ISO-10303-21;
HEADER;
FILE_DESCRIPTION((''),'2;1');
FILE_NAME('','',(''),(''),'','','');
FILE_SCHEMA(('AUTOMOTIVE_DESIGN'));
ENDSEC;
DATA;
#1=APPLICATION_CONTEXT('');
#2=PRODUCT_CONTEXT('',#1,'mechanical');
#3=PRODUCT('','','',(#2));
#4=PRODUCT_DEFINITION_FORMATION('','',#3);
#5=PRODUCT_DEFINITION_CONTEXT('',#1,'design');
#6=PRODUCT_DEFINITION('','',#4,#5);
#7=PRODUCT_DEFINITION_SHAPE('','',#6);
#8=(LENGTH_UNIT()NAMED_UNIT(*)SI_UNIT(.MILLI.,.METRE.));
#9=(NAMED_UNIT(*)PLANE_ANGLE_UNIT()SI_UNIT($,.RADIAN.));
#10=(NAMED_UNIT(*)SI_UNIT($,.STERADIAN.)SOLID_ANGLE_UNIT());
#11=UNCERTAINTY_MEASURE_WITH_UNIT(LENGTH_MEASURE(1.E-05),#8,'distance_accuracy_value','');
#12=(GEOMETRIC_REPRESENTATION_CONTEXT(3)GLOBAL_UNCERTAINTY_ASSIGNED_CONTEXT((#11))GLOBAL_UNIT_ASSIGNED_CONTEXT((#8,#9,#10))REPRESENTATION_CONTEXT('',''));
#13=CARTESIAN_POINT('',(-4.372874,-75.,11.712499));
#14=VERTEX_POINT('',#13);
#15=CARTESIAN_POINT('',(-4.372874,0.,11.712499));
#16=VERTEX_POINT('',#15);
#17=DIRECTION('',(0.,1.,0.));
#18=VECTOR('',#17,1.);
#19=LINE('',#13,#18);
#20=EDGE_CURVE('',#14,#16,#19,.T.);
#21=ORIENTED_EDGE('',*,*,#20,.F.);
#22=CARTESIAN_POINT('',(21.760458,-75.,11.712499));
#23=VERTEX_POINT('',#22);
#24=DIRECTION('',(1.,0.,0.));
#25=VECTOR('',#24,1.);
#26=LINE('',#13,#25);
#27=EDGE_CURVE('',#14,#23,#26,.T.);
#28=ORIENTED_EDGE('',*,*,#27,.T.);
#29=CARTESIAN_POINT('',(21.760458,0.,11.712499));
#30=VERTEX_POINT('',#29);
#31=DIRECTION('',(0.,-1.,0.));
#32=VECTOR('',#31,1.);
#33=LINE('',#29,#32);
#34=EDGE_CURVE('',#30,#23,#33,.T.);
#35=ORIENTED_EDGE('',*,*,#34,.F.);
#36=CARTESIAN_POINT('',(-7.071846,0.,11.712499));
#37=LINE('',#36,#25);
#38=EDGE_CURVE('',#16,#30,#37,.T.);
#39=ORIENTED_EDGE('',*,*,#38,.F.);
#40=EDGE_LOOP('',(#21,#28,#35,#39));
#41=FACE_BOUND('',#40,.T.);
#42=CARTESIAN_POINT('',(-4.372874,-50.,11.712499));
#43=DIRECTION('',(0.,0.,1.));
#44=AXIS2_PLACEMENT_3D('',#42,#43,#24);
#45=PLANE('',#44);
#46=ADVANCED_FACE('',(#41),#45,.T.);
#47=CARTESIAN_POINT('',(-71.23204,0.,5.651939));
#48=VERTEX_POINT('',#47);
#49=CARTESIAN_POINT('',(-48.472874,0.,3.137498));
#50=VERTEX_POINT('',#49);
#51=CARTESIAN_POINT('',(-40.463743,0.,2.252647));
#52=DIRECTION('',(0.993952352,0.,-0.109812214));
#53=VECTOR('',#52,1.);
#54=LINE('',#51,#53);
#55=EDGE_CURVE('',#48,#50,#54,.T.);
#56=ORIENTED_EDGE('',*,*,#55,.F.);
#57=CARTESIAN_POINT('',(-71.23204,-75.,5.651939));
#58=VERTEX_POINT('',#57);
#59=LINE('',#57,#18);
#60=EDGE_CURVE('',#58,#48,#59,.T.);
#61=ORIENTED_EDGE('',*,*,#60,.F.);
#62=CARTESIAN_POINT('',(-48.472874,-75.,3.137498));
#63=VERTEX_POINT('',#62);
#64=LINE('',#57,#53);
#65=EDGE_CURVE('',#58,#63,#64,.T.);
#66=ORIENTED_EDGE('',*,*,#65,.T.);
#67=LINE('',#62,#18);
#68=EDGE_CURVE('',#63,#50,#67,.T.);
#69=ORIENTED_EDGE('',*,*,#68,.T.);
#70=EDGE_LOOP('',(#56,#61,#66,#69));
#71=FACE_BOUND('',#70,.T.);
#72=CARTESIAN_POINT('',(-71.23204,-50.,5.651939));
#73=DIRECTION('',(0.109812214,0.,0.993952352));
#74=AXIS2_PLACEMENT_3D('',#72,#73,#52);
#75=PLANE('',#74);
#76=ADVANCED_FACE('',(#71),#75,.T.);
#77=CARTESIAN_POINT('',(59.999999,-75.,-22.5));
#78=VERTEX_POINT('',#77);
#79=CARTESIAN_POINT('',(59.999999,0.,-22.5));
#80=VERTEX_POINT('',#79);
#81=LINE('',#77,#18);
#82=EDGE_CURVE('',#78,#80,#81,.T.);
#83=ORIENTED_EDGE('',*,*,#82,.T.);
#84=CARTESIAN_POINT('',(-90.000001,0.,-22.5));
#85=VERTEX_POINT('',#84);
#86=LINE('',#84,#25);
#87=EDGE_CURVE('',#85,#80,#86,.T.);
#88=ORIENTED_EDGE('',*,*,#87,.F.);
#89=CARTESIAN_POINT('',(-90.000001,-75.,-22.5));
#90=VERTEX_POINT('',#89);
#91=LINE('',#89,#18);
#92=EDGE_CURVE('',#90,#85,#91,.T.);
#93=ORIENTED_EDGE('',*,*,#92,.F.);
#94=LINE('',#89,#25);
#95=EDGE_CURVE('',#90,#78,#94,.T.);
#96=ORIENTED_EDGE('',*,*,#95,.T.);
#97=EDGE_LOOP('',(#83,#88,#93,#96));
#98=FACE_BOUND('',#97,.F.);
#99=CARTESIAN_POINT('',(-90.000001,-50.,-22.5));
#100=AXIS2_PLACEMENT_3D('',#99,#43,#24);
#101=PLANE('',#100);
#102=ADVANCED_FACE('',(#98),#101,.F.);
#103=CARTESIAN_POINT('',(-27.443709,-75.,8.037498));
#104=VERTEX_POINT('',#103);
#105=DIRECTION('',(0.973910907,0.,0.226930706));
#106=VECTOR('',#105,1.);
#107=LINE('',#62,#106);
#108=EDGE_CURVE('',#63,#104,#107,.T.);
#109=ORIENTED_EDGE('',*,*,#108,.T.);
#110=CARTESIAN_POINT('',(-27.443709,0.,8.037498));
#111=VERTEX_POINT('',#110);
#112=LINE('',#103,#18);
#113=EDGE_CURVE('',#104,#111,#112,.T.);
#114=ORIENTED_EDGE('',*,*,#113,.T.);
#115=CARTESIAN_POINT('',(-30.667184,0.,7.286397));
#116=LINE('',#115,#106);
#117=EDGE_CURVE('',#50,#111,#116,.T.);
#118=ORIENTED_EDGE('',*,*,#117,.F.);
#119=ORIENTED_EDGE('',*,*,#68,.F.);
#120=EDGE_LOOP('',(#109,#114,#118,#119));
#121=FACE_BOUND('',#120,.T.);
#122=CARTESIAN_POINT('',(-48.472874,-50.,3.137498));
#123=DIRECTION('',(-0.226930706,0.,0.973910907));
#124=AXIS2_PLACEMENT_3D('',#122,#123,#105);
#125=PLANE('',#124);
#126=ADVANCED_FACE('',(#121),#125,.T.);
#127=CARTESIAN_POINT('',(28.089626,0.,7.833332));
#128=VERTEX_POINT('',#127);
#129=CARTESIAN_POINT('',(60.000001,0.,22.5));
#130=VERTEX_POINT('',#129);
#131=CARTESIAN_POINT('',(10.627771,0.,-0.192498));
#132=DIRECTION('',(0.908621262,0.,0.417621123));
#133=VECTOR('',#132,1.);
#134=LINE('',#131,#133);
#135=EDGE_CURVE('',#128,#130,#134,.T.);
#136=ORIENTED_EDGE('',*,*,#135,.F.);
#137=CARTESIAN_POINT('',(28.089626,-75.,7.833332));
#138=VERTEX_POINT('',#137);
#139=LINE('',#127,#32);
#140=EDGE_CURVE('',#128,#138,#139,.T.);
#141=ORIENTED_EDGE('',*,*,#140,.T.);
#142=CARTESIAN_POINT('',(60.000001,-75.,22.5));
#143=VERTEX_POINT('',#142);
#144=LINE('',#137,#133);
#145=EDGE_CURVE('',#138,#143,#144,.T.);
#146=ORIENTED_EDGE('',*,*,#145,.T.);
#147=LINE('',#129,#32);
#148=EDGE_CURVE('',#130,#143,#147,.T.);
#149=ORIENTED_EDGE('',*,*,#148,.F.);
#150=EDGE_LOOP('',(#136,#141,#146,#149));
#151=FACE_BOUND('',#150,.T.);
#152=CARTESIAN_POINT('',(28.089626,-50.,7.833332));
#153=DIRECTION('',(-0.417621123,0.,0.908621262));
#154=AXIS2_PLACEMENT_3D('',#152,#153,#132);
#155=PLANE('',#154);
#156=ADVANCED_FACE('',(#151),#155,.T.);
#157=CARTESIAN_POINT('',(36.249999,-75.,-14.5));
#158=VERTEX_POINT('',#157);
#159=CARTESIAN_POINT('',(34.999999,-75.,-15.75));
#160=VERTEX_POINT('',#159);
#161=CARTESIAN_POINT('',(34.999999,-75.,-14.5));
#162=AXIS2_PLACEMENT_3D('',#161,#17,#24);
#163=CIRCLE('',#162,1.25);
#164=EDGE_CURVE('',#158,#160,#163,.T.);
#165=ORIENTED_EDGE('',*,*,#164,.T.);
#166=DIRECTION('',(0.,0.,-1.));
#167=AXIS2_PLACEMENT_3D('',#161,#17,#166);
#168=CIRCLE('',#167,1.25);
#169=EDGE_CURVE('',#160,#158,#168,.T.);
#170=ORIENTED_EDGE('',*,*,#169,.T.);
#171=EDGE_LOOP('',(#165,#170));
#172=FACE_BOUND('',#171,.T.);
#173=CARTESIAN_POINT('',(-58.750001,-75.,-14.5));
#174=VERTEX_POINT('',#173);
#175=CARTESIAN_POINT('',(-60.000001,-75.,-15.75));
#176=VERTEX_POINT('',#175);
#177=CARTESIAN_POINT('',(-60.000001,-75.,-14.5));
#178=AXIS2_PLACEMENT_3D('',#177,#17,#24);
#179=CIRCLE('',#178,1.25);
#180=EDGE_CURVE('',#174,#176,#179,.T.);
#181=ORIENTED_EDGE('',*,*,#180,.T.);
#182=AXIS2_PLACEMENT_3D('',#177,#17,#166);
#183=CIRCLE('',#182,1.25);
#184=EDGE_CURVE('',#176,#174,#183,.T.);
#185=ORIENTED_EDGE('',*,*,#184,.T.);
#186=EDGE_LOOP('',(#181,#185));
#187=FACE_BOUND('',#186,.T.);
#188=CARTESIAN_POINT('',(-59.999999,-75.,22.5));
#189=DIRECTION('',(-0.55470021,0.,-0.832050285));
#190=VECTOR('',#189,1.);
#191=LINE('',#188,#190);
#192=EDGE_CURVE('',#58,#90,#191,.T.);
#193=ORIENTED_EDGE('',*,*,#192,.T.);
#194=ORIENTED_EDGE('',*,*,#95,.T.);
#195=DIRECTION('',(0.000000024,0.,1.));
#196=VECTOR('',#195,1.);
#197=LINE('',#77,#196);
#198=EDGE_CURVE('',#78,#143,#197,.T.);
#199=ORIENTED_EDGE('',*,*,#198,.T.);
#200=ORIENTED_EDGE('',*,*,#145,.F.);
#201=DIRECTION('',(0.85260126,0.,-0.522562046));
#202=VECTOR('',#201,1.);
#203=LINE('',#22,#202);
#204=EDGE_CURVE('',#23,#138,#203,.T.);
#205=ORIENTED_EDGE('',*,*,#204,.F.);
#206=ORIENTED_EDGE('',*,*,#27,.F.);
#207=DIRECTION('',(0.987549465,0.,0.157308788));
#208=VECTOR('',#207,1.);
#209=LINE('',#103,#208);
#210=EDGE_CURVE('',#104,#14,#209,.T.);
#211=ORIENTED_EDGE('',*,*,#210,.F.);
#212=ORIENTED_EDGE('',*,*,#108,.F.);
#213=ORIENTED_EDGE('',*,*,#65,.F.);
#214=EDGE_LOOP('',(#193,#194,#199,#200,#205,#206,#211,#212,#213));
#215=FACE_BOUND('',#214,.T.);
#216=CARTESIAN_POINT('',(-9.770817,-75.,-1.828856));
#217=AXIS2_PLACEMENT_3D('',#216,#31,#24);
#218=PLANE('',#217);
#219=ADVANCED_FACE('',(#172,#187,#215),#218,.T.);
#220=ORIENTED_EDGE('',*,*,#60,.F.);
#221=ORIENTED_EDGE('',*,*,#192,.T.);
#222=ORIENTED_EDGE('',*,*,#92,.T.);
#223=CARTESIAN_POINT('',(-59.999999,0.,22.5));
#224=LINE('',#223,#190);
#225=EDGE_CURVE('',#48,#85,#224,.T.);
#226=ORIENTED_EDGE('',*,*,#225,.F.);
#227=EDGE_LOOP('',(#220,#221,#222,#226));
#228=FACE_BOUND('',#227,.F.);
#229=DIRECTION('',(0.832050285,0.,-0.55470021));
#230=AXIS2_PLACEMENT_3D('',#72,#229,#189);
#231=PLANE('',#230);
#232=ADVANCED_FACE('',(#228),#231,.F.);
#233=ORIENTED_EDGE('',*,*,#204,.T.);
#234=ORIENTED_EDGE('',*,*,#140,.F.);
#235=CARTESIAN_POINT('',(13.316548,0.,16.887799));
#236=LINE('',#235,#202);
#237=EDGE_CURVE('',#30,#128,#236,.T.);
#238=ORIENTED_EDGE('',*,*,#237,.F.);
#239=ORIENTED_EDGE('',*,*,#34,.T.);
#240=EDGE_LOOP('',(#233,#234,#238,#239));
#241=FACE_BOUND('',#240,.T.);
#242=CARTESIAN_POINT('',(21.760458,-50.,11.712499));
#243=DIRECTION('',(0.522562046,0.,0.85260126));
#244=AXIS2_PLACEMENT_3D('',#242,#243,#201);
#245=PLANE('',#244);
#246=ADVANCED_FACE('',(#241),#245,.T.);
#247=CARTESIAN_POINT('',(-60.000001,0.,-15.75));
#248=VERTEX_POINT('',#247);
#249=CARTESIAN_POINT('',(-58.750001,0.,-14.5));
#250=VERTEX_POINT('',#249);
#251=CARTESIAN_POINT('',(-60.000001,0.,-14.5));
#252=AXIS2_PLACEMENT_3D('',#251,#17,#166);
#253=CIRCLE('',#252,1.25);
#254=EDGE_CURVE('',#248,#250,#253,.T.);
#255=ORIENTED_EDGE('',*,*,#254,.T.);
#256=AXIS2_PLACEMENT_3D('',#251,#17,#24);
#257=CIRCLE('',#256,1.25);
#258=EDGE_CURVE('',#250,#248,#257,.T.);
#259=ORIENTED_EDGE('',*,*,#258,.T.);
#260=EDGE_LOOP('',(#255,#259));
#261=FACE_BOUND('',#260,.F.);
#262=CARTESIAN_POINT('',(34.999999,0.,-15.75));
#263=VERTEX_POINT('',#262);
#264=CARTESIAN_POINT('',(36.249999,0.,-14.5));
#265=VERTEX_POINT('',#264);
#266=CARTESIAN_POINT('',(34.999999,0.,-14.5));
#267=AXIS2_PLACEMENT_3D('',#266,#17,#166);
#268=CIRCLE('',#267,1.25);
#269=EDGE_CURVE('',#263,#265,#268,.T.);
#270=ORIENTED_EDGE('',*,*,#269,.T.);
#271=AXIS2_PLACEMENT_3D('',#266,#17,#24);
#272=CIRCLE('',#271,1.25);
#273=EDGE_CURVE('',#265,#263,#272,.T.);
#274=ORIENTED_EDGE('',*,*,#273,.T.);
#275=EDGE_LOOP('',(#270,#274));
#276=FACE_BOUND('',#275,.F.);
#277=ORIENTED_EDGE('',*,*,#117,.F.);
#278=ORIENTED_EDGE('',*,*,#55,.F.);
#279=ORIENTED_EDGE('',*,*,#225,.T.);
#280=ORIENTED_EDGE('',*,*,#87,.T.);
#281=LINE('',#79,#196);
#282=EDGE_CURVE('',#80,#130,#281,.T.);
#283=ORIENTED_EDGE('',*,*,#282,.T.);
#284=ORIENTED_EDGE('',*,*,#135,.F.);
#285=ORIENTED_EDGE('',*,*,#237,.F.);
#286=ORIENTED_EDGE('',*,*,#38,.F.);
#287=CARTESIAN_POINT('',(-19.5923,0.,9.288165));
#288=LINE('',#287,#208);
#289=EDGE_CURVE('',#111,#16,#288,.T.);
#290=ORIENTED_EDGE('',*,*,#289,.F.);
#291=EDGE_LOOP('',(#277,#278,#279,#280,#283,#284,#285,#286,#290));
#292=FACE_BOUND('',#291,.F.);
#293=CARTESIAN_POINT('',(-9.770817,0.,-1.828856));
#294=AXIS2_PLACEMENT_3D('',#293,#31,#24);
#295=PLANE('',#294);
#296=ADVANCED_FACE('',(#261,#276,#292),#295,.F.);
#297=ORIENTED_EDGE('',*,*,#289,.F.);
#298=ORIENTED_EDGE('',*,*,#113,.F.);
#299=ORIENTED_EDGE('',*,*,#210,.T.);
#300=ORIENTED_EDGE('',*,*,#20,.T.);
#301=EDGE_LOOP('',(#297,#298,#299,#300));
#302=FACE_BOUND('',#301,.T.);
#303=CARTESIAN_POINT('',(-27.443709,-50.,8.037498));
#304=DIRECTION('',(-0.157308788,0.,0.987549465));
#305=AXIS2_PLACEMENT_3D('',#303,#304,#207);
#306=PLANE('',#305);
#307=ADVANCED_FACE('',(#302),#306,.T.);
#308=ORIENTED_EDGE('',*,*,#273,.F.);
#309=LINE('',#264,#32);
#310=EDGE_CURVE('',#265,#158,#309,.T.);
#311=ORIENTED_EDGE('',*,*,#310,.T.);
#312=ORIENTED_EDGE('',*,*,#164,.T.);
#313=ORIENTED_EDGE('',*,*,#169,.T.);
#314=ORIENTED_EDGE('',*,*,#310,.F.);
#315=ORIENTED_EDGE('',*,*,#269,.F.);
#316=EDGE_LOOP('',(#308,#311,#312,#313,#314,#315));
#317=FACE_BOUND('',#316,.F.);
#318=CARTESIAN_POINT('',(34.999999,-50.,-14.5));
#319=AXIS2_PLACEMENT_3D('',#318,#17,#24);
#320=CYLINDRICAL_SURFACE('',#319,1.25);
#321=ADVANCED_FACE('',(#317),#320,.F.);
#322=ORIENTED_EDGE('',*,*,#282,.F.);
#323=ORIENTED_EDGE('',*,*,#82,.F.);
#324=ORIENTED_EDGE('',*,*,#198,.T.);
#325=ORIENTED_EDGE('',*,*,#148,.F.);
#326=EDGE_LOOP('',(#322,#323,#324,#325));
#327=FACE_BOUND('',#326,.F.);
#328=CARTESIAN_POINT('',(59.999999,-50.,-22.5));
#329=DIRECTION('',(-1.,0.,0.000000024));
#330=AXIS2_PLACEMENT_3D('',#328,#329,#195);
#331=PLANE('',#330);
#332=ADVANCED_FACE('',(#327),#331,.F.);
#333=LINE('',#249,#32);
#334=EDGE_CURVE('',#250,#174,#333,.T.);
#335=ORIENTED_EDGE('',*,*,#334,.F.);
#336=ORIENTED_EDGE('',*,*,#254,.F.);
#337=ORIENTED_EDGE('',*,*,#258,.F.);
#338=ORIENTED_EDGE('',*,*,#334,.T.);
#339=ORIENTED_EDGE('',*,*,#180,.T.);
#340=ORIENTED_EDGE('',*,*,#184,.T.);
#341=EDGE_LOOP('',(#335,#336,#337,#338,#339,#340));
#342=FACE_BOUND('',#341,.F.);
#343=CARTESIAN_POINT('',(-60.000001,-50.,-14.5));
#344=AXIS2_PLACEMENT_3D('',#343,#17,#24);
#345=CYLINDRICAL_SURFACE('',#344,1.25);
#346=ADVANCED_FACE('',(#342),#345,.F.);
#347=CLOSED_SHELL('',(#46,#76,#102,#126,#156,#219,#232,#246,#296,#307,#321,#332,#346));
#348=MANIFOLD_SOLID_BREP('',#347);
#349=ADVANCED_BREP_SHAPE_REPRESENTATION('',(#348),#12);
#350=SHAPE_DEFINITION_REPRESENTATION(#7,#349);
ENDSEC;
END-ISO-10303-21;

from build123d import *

# Parameters (mm, degrees)
F1_DEPTH = 25
F2_DEPTH = 50
F3_DEPTH = 25
F5_DEPTH = 25
F6_DEPTH = 50.001
F7_DEPTH = 25


with BuildPart() as f1:
    # F0 (on Front) → F1 (new body)
    with BuildSketch(Plane.XZ):
        Polygon((60.0000005501, 22.5), (-59.9999994499, 22.5), (-90.0000005501, -22.5), (-60.0000005501, -22.5), (34.9999994499, -22.5), (59.9999994499, -22.5), align=None)
        with BuildLine():
            ThreePointArc((-60.0000005501, -15.75), (-60.8838840266, -13.6161165235), (-58.7500005501, -14.5))
            ThreePointArc((-58.7500005501, -14.5), (-59.1161170737, -15.3838834765), (-60.0000005501, -15.75))
        make_face(mode=Mode.SUBTRACT)
        with BuildLine():
            ThreePointArc((34.9999994499, -15.75), (34.1161159734, -13.6161165235), (36.2499994499, -14.5))
            ThreePointArc((36.2499994499, -14.5), (35.8838829263, -15.3838834765), (34.9999994499, -15.75))
        make_face(mode=Mode.SUBTRACT)
    extrude(amount=F1_DEPTH)

    # F0 (on Front) → F2 (join)
    with BuildSketch(Plane.XZ):
        Polygon((60.0000005501, 22.5), (-59.9999994499, 22.5), (-90.0000005501, -22.5), (-60.0000005501, -22.5), (34.9999994499, -22.5), (59.9999994499, -22.5), align=None)
        with BuildLine():
            ThreePointArc((-60.0000005501, -15.75), (-60.8838840266, -13.6161165235), (-58.7500005501, -14.5))
            ThreePointArc((-58.7500005501, -14.5), (-59.1161170737, -15.3838834765), (-60.0000005501, -15.75))
        make_face(mode=Mode.SUBTRACT)
        with BuildLine():
            ThreePointArc((34.9999994499, -15.75), (34.1161159734, -13.6161165235), (36.2499994499, -14.5))
            ThreePointArc((36.2499994499, -14.5), (35.8838829263, -15.3838834765), (34.9999994499, -15.75))
        make_face(mode=Mode.SUBTRACT)
    extrude(amount=F2_DEPTH)

    # F0 (on Front) → F3 (join)
    with BuildSketch(Plane.XZ):
        Polygon((60.0000005501, 22.5), (-59.9999994499, 22.5), (-90.0000005501, -22.5), (-60.0000005501, -22.5), (34.9999994499, -22.5), (59.9999994499, -22.5), align=None)
        with BuildLine():
            ThreePointArc((-60.0000005501, -15.75), (-60.8838840266, -13.6161165235), (-58.7500005501, -14.5))
            ThreePointArc((-58.7500005501, -14.5), (-59.1161170737, -15.3838834765), (-60.0000005501, -15.75))
        make_face(mode=Mode.SUBTRACT)
        with BuildLine():
            ThreePointArc((34.9999994499, -15.75), (34.1161159734, -13.6161165235), (36.2499994499, -14.5))
            ThreePointArc((36.2499994499, -14.5), (35.8838829263, -15.3838834765), (34.9999994499, -15.75))
        make_face(mode=Mode.SUBTRACT)
    extrude(amount=F3_DEPTH)

    # F4 (on face) → F5 (cut)
    with BuildSketch(Plane.XZ.offset(50)):
        Polygon((-59.9999994499, 22.5), (-71.2320403303, 5.6519392973), (-48.4728738666, 3.1374983955), (-27.4437088519, 8.0374982208), (-4.3728742748, 11.7124989629), (21.7604581267, 11.7124989629), (28.0896257609, 7.8333318233), (60.0000005501, 22.5), align=None)
    extrude(amount=-F5_DEPTH, mode=Mode.SUBTRACT)

    # F4 (on face) → F6 (cut, through all)
    with BuildSketch(Plane.XZ.offset(50)):
        Polygon((-59.9999994499, 22.5), (-71.2320403303, 5.6519392973), (-48.4728738666, 3.1374983955), (-27.4437088519, 8.0374982208), (-4.3728742748, 11.7124989629), (21.7604581267, 11.7124989629), (28.0896257609, 7.8333318233), (60.0000005501, 22.5), align=None)
    extrude(amount=-F6_DEPTH, mode=Mode.SUBTRACT)

    # F7 (add): a face of the model
    f7_faces = [f1.faces().sort_by_distance(p)[0] for p in [
        (-5.3315876284, -50, -6.3878116197),
    ]]
    extrude(f7_faces, amount=F7_DEPTH)


solid = f1.part
